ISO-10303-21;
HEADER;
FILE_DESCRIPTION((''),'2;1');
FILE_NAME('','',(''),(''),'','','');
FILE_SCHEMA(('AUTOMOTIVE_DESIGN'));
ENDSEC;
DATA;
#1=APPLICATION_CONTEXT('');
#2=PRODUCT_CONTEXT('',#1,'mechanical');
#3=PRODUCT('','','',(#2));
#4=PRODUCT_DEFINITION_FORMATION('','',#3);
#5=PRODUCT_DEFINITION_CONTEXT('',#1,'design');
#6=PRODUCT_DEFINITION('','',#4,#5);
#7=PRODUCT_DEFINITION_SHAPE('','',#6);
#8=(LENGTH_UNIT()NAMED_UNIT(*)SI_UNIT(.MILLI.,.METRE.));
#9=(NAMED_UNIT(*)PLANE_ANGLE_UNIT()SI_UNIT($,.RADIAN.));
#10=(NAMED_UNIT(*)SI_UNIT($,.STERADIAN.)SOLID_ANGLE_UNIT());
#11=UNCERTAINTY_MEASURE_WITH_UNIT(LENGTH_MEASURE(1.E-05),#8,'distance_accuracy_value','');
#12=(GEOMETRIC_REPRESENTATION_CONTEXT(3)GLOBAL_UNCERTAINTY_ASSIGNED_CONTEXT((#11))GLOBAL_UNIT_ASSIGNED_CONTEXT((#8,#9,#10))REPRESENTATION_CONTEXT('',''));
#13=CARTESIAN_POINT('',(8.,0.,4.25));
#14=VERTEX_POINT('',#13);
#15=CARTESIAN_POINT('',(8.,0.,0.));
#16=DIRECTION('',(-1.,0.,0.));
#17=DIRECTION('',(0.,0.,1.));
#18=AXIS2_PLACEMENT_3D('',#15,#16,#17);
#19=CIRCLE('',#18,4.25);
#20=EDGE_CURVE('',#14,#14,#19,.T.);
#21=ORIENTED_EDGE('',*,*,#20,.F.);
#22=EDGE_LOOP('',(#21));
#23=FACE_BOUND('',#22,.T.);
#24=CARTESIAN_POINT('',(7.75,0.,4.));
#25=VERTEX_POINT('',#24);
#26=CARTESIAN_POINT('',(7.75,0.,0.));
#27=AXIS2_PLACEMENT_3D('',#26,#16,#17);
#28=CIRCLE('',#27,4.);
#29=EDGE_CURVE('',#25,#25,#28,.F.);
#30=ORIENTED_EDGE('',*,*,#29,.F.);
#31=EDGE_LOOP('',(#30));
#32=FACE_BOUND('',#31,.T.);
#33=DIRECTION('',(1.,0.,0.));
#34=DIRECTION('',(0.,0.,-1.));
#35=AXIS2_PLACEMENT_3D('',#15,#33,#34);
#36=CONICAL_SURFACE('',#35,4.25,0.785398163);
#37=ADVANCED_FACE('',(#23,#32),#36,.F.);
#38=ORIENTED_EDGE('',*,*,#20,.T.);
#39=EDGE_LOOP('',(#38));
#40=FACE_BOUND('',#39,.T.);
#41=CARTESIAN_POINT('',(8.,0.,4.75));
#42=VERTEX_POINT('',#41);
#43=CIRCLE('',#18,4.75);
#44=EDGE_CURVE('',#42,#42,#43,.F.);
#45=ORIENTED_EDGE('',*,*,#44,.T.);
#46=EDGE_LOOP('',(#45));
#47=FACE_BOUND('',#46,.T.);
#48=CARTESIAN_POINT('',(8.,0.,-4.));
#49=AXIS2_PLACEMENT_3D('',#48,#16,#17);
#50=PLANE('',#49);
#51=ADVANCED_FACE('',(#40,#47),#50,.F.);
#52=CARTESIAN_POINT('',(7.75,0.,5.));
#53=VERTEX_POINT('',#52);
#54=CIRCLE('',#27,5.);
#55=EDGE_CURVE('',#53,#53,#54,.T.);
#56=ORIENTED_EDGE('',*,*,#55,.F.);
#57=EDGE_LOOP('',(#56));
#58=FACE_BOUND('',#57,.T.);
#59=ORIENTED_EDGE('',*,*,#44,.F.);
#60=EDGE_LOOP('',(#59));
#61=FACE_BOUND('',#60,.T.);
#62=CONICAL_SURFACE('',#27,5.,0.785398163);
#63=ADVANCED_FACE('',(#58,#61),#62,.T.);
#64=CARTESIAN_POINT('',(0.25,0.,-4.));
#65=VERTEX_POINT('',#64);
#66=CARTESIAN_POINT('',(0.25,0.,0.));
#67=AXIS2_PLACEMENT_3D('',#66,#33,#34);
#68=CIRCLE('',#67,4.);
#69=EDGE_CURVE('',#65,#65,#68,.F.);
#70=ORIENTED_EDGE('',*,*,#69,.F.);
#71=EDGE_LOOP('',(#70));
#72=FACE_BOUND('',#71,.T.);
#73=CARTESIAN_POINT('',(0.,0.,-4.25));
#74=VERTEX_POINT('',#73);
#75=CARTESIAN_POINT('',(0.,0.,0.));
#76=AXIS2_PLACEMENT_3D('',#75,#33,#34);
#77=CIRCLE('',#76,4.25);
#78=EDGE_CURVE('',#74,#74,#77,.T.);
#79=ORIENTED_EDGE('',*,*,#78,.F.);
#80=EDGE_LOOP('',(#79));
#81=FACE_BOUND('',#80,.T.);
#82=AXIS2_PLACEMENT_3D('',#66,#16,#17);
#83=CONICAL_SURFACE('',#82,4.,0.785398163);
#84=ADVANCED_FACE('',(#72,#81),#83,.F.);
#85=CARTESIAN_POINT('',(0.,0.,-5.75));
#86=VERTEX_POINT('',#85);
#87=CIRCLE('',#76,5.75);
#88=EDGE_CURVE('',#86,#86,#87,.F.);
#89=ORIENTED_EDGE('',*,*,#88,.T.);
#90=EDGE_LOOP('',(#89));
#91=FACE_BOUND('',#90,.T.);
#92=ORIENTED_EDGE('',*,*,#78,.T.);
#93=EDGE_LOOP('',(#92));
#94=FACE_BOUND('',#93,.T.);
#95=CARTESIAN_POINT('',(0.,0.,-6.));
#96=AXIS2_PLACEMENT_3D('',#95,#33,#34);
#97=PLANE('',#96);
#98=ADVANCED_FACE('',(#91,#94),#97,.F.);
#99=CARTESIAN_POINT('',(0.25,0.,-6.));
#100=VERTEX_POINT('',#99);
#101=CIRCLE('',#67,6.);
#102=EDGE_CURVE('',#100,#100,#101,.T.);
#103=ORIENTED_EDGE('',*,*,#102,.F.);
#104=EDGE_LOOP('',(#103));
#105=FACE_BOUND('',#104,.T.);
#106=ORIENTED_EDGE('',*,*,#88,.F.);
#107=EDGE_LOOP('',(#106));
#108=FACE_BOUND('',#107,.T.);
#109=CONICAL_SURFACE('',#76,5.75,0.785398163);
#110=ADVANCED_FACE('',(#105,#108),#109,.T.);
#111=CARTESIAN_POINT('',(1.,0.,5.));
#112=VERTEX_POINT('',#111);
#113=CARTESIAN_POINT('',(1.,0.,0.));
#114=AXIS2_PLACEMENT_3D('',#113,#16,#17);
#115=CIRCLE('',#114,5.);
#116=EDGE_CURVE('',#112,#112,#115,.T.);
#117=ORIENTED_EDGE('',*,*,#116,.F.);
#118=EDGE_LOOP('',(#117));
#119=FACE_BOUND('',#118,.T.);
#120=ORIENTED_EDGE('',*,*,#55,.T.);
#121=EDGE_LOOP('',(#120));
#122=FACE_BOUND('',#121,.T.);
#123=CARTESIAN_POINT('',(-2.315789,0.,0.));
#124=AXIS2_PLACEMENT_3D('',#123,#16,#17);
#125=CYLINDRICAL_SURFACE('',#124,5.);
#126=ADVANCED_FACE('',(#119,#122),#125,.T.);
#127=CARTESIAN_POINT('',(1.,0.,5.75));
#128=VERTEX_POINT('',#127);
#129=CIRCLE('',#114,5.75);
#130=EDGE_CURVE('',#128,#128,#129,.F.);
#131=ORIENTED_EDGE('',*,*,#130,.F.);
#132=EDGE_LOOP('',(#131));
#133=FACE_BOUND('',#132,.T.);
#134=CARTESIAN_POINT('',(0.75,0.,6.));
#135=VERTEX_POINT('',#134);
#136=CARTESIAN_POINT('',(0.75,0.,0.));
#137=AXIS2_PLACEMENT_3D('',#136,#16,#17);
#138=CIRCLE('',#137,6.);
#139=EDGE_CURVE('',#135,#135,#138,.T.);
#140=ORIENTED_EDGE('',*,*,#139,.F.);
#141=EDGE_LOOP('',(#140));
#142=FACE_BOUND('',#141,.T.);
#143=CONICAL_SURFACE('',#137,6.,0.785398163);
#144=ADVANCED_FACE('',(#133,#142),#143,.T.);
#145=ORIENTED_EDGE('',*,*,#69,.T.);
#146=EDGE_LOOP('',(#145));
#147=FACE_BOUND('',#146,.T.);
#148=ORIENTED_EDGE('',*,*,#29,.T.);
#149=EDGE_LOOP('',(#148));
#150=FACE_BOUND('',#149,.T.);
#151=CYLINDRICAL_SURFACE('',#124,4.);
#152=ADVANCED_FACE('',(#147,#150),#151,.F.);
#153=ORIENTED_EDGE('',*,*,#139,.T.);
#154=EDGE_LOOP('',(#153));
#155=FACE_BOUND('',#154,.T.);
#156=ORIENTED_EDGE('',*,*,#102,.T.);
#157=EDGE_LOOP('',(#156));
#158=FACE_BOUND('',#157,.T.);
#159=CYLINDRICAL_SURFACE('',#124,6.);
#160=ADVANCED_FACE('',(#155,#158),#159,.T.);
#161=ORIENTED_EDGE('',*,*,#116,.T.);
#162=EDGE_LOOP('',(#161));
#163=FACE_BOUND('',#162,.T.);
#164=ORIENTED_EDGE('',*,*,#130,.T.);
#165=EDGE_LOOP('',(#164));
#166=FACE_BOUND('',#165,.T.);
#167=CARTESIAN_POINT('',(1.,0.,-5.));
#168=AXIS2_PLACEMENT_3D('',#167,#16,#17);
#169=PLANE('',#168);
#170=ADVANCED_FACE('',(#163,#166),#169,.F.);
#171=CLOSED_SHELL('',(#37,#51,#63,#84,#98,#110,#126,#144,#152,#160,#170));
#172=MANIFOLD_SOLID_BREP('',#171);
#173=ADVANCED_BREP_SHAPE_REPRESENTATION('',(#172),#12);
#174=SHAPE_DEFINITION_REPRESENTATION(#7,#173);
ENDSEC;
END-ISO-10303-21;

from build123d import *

# Parameters (mm, degrees)
CHANFREIN1_SIZE = 0.25


with BuildPart() as part:
    # Esquisse1 → Révolution1 (revolve)
    with BuildSketch(Plane(origin=(0, 0, 0), x_dir=(1, 0, 0), z_dir=(0, 1, 0)), mode=Mode.PRIVATE) as r_volution1_sk:
        Polygon((8, 5), (1, 5), (1, 6), (0, 6), (0, 4), (8, 4), align=None)
    revolve(r_volution1_sk.sketch.rotate(Axis((-2.315789474, 0, 0), (1, 0, 0)), 180), axis=Axis((-2.315789474, 0, 0), (1, 0, 0)))

    # Chanfrein1
    chanfrein1_edges = [part.edges().sort_by_distance(p)[0] for p in [
        (8, 0, -4),
        (0, 0, -4),
        (0, 0, -6),
        (1, 0, -6),
        (8, 0, -5),
    ]]
    chamfer(chanfrein1_edges, length=CHANFREIN1_SIZE)


solid = part.part
